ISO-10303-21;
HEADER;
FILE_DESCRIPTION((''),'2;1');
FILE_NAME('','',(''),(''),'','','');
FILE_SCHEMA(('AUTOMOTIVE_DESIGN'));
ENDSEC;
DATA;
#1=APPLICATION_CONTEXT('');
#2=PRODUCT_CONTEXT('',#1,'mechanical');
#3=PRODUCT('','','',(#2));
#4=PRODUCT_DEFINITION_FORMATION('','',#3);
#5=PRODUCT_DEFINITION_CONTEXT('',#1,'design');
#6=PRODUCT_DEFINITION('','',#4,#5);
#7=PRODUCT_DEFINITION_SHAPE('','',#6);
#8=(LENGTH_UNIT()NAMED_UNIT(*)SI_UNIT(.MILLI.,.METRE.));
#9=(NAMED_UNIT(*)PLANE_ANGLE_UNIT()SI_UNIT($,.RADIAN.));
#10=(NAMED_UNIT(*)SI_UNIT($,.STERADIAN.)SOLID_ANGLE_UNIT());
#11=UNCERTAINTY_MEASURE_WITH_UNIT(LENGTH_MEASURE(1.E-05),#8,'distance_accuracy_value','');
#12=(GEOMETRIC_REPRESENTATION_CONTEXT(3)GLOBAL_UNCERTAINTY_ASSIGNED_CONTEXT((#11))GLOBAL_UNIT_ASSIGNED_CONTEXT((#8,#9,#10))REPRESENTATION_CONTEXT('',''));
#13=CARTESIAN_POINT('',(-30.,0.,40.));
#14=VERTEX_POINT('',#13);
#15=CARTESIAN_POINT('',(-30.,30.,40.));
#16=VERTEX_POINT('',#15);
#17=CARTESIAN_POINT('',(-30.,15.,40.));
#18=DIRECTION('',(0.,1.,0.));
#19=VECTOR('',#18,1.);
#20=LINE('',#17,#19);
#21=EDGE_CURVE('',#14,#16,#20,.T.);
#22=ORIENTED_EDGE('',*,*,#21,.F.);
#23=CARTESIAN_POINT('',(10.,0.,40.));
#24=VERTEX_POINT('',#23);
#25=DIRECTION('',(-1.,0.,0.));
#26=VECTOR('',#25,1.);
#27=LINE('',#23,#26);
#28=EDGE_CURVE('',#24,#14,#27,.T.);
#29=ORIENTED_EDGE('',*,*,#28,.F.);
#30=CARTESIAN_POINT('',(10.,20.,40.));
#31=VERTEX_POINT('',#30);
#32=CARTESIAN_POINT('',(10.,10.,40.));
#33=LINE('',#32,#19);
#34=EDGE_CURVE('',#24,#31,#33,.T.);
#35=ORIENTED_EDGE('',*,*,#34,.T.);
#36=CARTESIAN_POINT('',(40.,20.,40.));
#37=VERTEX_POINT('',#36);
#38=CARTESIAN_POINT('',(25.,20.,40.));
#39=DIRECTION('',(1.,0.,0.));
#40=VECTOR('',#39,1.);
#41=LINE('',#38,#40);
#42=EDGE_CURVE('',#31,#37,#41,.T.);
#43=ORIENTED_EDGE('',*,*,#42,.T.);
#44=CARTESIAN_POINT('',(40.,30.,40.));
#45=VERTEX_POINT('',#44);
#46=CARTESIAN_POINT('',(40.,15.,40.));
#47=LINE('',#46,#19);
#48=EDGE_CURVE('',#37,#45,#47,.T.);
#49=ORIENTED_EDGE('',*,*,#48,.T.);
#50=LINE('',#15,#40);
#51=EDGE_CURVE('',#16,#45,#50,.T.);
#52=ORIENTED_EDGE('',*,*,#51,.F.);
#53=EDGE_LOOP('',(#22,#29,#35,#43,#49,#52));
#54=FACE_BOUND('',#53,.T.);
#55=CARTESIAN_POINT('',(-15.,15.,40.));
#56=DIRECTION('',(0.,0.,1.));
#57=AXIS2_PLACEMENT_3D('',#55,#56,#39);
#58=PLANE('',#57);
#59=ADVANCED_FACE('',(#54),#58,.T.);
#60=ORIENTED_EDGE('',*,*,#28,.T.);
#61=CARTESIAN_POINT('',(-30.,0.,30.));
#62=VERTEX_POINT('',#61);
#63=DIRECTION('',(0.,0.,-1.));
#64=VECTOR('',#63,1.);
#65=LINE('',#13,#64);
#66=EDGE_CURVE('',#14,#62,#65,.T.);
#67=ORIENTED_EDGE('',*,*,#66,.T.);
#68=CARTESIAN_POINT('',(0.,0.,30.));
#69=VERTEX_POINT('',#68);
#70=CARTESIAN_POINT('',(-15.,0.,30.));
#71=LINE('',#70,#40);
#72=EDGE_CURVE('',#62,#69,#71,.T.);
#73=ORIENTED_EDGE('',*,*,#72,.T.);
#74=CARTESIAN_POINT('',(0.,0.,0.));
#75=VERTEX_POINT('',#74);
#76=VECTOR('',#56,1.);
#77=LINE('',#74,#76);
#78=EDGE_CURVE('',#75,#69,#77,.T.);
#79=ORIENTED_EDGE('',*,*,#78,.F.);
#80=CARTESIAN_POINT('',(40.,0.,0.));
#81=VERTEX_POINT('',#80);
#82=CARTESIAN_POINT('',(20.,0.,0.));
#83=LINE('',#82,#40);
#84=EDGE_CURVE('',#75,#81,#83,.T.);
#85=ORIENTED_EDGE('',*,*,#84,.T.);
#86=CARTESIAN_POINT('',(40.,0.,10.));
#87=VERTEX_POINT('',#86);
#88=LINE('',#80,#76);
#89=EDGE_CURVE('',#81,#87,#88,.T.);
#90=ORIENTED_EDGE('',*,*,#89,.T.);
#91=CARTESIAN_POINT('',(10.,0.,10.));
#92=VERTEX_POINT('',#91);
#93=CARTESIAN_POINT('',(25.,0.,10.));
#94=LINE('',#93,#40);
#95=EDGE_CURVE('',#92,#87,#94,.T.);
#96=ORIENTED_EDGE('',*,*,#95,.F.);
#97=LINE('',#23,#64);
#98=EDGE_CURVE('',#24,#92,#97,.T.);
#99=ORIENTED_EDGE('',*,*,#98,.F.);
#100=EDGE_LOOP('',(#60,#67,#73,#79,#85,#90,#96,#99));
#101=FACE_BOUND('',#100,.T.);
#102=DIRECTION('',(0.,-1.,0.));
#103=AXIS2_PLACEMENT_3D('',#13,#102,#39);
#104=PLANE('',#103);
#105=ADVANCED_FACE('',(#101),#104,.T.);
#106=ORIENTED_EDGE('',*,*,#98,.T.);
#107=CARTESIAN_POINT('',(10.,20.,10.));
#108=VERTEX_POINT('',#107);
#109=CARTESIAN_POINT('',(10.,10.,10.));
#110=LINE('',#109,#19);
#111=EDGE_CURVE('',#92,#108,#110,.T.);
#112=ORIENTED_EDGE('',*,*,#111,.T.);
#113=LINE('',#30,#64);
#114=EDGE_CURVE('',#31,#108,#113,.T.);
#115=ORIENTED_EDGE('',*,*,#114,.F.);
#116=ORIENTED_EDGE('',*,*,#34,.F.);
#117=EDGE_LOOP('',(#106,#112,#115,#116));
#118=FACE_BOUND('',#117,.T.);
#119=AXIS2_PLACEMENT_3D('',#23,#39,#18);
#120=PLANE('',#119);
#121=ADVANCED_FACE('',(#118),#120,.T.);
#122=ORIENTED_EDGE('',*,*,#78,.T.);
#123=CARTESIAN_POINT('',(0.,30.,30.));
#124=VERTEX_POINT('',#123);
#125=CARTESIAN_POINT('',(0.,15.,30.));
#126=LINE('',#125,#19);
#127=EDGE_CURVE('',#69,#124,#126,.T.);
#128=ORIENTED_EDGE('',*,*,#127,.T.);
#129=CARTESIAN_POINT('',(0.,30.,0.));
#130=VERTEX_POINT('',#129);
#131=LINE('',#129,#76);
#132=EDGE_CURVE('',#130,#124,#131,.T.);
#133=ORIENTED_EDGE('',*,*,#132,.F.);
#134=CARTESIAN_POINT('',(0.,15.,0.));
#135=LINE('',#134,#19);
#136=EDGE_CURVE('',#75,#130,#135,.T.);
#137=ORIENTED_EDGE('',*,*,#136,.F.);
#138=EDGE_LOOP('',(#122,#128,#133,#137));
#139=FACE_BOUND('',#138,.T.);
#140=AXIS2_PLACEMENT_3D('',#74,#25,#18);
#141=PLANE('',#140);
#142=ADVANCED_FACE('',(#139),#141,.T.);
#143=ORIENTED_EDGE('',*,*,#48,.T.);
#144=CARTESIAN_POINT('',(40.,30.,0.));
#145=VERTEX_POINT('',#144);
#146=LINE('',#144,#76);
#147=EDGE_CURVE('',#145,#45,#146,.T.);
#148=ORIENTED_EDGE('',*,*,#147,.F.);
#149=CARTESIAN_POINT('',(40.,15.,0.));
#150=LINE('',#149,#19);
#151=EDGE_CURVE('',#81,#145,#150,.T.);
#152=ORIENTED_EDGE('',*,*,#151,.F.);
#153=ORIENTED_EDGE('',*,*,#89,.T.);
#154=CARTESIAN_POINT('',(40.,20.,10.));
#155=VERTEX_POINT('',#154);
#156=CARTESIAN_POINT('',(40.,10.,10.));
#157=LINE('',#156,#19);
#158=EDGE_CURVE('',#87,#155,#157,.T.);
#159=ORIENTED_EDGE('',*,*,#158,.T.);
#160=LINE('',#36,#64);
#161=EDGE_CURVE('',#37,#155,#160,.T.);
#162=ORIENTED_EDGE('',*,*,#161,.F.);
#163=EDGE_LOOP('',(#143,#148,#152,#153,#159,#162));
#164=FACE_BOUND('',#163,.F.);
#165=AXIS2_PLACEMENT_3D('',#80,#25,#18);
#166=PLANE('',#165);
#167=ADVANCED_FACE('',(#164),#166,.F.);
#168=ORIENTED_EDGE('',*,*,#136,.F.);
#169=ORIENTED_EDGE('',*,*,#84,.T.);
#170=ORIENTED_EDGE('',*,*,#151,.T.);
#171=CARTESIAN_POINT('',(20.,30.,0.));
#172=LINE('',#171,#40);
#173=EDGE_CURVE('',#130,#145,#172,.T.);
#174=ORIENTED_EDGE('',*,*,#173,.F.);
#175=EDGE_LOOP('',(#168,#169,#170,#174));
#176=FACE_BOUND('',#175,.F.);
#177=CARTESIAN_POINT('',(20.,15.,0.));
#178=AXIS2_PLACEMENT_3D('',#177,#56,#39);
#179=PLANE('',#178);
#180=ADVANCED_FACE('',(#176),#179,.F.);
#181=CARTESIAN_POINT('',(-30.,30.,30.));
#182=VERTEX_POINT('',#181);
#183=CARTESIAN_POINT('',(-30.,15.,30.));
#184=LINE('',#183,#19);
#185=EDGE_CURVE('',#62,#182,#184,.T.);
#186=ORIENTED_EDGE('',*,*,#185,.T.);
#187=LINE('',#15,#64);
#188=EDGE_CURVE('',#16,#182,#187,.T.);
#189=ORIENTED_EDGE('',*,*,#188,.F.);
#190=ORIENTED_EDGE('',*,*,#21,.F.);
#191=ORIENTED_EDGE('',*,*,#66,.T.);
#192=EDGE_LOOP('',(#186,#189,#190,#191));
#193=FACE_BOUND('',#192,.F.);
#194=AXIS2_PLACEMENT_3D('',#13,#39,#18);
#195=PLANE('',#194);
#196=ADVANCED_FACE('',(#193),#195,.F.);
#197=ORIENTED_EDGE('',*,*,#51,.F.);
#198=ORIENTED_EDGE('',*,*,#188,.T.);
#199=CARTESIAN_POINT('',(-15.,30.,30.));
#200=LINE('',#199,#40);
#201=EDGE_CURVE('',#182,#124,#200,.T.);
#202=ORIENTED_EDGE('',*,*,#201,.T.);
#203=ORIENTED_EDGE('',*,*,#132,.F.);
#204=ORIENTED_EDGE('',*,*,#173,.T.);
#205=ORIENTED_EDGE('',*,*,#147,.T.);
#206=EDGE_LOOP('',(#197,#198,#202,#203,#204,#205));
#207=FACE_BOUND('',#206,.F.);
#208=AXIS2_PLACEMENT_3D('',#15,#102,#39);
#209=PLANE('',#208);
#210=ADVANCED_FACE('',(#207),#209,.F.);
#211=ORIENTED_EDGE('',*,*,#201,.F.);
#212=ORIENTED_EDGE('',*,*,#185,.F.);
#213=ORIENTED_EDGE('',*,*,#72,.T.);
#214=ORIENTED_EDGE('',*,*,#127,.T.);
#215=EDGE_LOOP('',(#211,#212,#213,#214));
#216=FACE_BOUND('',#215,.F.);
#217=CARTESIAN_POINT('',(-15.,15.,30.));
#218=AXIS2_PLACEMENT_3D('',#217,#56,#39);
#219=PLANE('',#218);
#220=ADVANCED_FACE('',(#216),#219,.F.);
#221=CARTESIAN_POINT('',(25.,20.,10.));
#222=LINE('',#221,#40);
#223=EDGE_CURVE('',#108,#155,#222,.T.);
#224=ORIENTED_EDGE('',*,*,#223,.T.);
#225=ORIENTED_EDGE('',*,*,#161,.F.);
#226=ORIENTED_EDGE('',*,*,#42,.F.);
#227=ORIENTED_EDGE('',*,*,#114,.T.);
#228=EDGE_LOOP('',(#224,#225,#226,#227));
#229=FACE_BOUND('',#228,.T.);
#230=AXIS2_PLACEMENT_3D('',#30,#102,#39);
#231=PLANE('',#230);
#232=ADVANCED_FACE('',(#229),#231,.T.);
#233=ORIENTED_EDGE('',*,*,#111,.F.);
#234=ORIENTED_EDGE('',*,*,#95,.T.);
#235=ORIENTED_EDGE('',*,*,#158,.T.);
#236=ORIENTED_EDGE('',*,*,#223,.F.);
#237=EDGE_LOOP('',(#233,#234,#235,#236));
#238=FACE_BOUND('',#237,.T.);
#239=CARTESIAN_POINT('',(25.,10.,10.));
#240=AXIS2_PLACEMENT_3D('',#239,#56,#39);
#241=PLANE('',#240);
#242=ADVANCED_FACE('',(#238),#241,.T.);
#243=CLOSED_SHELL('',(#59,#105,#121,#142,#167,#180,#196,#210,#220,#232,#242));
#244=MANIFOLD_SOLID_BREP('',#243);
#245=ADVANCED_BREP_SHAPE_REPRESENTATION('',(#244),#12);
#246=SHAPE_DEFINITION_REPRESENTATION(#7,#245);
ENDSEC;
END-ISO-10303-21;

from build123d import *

# Parameters (mm, degrees)
F0_W     = 40
F0_H     = 30
F1_DEPTH = 40
F2_W     = 30
F2_H     = 20
F3_DEPTH = 30
F4_W     = 30
F4_H     = 30
F5_DEPTH = 10


with BuildPart() as f1:
    # F0 (on Top) → F1 (new body)
    with BuildSketch(Plane.XY):
        with Locations((20, 15)):
            Rectangle(F0_W, F0_H)
    extrude(amount=F1_DEPTH)

    # F2 (on face) → F3 (cut)
    with BuildSketch(Plane.XY.offset(40)):
        with Locations((25, 10)):
            Rectangle(F2_W, F2_H)
    extrude(amount=-F3_DEPTH, mode=Mode.SUBTRACT)

    # F4 (on face) → F5 (join)
    with BuildSketch(Plane.XY.offset(40)):
        with Locations((-15, 15)):
            Rectangle(F4_W, F4_H)
    extrude(amount=-F5_DEPTH)


solid = f1.part
